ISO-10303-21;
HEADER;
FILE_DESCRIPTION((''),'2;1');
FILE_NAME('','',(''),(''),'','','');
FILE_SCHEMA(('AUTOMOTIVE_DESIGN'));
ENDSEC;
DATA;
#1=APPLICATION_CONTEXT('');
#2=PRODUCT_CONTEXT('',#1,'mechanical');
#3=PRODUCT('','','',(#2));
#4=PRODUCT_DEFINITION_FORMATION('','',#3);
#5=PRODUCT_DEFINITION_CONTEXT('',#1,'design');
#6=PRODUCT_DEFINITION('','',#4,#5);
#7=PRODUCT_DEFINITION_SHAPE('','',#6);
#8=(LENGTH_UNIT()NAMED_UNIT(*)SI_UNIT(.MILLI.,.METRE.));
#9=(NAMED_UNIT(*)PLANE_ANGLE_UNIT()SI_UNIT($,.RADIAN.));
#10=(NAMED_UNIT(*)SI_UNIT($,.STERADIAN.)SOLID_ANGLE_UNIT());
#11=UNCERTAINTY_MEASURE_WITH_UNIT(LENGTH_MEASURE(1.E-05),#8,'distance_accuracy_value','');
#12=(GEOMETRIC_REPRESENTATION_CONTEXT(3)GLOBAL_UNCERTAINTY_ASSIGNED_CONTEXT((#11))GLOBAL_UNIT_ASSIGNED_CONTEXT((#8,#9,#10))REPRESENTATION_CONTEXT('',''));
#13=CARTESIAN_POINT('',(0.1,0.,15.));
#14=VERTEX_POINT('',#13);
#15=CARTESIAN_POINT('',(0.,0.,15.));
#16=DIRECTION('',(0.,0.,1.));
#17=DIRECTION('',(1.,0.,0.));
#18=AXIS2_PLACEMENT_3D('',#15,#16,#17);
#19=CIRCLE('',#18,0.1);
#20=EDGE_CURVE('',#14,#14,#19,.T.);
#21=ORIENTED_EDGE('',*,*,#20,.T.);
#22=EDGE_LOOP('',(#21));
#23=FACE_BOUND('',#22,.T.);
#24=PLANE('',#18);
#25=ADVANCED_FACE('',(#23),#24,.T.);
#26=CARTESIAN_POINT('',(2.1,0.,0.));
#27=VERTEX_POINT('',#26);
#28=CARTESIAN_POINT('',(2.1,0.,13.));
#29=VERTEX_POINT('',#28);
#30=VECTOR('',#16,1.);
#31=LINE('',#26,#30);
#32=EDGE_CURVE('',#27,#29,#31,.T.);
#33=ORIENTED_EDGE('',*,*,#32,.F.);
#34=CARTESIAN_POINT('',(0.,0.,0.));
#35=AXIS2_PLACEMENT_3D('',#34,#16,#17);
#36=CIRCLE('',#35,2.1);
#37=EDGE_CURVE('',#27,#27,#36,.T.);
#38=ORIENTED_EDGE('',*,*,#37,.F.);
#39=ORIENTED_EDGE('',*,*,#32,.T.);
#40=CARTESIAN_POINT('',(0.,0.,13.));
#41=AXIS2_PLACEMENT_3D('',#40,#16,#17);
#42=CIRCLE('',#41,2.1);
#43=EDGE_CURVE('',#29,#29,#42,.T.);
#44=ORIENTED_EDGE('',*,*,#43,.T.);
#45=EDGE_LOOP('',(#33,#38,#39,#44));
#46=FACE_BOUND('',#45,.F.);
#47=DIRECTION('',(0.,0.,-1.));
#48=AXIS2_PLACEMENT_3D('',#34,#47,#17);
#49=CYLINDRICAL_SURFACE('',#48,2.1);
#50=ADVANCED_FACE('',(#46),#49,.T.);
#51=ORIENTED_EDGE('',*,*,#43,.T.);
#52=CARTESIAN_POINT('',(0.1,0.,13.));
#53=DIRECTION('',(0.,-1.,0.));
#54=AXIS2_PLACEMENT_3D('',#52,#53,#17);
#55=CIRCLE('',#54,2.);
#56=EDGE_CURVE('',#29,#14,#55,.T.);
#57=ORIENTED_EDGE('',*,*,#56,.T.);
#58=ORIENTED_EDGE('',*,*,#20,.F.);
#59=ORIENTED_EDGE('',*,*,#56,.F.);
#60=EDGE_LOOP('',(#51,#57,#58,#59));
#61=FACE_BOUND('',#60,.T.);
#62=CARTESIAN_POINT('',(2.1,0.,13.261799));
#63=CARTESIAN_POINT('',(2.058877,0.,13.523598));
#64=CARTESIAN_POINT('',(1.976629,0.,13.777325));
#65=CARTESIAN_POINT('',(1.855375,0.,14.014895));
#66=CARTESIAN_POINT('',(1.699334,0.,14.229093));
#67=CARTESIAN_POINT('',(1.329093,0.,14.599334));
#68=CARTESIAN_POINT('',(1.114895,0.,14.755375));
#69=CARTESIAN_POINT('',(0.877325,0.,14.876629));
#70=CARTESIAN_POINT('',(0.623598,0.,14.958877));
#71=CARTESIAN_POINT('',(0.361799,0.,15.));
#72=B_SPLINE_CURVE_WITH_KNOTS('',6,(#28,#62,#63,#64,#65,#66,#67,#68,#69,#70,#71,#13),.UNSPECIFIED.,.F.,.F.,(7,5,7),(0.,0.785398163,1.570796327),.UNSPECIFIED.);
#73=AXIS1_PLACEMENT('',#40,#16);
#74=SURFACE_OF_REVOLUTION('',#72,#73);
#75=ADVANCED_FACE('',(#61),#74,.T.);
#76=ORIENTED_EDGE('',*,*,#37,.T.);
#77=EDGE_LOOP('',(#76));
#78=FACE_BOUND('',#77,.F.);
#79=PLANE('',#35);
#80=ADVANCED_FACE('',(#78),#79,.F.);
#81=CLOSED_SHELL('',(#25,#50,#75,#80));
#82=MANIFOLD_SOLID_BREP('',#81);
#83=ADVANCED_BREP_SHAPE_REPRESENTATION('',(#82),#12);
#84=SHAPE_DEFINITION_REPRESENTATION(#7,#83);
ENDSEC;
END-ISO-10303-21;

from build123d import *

# Parameters (mm, degrees)
SKETCH_R  = 2.1
PAD_DEPTH = 15
FILLET_R  = 2


with BuildPart() as part:
    # Sketch → Pad (new body)
    with BuildSketch(Plane.XY):
        Circle(SKETCH_R)
    extrude(amount=PAD_DEPTH)

    # Fillet
    fillet_edges = [part.edges().sort_by_distance(p)[0] for p in [
        (-2.1, 0, 15),
    ]]
    fillet(fillet_edges, radius=FILLET_R)


solid = part.part
